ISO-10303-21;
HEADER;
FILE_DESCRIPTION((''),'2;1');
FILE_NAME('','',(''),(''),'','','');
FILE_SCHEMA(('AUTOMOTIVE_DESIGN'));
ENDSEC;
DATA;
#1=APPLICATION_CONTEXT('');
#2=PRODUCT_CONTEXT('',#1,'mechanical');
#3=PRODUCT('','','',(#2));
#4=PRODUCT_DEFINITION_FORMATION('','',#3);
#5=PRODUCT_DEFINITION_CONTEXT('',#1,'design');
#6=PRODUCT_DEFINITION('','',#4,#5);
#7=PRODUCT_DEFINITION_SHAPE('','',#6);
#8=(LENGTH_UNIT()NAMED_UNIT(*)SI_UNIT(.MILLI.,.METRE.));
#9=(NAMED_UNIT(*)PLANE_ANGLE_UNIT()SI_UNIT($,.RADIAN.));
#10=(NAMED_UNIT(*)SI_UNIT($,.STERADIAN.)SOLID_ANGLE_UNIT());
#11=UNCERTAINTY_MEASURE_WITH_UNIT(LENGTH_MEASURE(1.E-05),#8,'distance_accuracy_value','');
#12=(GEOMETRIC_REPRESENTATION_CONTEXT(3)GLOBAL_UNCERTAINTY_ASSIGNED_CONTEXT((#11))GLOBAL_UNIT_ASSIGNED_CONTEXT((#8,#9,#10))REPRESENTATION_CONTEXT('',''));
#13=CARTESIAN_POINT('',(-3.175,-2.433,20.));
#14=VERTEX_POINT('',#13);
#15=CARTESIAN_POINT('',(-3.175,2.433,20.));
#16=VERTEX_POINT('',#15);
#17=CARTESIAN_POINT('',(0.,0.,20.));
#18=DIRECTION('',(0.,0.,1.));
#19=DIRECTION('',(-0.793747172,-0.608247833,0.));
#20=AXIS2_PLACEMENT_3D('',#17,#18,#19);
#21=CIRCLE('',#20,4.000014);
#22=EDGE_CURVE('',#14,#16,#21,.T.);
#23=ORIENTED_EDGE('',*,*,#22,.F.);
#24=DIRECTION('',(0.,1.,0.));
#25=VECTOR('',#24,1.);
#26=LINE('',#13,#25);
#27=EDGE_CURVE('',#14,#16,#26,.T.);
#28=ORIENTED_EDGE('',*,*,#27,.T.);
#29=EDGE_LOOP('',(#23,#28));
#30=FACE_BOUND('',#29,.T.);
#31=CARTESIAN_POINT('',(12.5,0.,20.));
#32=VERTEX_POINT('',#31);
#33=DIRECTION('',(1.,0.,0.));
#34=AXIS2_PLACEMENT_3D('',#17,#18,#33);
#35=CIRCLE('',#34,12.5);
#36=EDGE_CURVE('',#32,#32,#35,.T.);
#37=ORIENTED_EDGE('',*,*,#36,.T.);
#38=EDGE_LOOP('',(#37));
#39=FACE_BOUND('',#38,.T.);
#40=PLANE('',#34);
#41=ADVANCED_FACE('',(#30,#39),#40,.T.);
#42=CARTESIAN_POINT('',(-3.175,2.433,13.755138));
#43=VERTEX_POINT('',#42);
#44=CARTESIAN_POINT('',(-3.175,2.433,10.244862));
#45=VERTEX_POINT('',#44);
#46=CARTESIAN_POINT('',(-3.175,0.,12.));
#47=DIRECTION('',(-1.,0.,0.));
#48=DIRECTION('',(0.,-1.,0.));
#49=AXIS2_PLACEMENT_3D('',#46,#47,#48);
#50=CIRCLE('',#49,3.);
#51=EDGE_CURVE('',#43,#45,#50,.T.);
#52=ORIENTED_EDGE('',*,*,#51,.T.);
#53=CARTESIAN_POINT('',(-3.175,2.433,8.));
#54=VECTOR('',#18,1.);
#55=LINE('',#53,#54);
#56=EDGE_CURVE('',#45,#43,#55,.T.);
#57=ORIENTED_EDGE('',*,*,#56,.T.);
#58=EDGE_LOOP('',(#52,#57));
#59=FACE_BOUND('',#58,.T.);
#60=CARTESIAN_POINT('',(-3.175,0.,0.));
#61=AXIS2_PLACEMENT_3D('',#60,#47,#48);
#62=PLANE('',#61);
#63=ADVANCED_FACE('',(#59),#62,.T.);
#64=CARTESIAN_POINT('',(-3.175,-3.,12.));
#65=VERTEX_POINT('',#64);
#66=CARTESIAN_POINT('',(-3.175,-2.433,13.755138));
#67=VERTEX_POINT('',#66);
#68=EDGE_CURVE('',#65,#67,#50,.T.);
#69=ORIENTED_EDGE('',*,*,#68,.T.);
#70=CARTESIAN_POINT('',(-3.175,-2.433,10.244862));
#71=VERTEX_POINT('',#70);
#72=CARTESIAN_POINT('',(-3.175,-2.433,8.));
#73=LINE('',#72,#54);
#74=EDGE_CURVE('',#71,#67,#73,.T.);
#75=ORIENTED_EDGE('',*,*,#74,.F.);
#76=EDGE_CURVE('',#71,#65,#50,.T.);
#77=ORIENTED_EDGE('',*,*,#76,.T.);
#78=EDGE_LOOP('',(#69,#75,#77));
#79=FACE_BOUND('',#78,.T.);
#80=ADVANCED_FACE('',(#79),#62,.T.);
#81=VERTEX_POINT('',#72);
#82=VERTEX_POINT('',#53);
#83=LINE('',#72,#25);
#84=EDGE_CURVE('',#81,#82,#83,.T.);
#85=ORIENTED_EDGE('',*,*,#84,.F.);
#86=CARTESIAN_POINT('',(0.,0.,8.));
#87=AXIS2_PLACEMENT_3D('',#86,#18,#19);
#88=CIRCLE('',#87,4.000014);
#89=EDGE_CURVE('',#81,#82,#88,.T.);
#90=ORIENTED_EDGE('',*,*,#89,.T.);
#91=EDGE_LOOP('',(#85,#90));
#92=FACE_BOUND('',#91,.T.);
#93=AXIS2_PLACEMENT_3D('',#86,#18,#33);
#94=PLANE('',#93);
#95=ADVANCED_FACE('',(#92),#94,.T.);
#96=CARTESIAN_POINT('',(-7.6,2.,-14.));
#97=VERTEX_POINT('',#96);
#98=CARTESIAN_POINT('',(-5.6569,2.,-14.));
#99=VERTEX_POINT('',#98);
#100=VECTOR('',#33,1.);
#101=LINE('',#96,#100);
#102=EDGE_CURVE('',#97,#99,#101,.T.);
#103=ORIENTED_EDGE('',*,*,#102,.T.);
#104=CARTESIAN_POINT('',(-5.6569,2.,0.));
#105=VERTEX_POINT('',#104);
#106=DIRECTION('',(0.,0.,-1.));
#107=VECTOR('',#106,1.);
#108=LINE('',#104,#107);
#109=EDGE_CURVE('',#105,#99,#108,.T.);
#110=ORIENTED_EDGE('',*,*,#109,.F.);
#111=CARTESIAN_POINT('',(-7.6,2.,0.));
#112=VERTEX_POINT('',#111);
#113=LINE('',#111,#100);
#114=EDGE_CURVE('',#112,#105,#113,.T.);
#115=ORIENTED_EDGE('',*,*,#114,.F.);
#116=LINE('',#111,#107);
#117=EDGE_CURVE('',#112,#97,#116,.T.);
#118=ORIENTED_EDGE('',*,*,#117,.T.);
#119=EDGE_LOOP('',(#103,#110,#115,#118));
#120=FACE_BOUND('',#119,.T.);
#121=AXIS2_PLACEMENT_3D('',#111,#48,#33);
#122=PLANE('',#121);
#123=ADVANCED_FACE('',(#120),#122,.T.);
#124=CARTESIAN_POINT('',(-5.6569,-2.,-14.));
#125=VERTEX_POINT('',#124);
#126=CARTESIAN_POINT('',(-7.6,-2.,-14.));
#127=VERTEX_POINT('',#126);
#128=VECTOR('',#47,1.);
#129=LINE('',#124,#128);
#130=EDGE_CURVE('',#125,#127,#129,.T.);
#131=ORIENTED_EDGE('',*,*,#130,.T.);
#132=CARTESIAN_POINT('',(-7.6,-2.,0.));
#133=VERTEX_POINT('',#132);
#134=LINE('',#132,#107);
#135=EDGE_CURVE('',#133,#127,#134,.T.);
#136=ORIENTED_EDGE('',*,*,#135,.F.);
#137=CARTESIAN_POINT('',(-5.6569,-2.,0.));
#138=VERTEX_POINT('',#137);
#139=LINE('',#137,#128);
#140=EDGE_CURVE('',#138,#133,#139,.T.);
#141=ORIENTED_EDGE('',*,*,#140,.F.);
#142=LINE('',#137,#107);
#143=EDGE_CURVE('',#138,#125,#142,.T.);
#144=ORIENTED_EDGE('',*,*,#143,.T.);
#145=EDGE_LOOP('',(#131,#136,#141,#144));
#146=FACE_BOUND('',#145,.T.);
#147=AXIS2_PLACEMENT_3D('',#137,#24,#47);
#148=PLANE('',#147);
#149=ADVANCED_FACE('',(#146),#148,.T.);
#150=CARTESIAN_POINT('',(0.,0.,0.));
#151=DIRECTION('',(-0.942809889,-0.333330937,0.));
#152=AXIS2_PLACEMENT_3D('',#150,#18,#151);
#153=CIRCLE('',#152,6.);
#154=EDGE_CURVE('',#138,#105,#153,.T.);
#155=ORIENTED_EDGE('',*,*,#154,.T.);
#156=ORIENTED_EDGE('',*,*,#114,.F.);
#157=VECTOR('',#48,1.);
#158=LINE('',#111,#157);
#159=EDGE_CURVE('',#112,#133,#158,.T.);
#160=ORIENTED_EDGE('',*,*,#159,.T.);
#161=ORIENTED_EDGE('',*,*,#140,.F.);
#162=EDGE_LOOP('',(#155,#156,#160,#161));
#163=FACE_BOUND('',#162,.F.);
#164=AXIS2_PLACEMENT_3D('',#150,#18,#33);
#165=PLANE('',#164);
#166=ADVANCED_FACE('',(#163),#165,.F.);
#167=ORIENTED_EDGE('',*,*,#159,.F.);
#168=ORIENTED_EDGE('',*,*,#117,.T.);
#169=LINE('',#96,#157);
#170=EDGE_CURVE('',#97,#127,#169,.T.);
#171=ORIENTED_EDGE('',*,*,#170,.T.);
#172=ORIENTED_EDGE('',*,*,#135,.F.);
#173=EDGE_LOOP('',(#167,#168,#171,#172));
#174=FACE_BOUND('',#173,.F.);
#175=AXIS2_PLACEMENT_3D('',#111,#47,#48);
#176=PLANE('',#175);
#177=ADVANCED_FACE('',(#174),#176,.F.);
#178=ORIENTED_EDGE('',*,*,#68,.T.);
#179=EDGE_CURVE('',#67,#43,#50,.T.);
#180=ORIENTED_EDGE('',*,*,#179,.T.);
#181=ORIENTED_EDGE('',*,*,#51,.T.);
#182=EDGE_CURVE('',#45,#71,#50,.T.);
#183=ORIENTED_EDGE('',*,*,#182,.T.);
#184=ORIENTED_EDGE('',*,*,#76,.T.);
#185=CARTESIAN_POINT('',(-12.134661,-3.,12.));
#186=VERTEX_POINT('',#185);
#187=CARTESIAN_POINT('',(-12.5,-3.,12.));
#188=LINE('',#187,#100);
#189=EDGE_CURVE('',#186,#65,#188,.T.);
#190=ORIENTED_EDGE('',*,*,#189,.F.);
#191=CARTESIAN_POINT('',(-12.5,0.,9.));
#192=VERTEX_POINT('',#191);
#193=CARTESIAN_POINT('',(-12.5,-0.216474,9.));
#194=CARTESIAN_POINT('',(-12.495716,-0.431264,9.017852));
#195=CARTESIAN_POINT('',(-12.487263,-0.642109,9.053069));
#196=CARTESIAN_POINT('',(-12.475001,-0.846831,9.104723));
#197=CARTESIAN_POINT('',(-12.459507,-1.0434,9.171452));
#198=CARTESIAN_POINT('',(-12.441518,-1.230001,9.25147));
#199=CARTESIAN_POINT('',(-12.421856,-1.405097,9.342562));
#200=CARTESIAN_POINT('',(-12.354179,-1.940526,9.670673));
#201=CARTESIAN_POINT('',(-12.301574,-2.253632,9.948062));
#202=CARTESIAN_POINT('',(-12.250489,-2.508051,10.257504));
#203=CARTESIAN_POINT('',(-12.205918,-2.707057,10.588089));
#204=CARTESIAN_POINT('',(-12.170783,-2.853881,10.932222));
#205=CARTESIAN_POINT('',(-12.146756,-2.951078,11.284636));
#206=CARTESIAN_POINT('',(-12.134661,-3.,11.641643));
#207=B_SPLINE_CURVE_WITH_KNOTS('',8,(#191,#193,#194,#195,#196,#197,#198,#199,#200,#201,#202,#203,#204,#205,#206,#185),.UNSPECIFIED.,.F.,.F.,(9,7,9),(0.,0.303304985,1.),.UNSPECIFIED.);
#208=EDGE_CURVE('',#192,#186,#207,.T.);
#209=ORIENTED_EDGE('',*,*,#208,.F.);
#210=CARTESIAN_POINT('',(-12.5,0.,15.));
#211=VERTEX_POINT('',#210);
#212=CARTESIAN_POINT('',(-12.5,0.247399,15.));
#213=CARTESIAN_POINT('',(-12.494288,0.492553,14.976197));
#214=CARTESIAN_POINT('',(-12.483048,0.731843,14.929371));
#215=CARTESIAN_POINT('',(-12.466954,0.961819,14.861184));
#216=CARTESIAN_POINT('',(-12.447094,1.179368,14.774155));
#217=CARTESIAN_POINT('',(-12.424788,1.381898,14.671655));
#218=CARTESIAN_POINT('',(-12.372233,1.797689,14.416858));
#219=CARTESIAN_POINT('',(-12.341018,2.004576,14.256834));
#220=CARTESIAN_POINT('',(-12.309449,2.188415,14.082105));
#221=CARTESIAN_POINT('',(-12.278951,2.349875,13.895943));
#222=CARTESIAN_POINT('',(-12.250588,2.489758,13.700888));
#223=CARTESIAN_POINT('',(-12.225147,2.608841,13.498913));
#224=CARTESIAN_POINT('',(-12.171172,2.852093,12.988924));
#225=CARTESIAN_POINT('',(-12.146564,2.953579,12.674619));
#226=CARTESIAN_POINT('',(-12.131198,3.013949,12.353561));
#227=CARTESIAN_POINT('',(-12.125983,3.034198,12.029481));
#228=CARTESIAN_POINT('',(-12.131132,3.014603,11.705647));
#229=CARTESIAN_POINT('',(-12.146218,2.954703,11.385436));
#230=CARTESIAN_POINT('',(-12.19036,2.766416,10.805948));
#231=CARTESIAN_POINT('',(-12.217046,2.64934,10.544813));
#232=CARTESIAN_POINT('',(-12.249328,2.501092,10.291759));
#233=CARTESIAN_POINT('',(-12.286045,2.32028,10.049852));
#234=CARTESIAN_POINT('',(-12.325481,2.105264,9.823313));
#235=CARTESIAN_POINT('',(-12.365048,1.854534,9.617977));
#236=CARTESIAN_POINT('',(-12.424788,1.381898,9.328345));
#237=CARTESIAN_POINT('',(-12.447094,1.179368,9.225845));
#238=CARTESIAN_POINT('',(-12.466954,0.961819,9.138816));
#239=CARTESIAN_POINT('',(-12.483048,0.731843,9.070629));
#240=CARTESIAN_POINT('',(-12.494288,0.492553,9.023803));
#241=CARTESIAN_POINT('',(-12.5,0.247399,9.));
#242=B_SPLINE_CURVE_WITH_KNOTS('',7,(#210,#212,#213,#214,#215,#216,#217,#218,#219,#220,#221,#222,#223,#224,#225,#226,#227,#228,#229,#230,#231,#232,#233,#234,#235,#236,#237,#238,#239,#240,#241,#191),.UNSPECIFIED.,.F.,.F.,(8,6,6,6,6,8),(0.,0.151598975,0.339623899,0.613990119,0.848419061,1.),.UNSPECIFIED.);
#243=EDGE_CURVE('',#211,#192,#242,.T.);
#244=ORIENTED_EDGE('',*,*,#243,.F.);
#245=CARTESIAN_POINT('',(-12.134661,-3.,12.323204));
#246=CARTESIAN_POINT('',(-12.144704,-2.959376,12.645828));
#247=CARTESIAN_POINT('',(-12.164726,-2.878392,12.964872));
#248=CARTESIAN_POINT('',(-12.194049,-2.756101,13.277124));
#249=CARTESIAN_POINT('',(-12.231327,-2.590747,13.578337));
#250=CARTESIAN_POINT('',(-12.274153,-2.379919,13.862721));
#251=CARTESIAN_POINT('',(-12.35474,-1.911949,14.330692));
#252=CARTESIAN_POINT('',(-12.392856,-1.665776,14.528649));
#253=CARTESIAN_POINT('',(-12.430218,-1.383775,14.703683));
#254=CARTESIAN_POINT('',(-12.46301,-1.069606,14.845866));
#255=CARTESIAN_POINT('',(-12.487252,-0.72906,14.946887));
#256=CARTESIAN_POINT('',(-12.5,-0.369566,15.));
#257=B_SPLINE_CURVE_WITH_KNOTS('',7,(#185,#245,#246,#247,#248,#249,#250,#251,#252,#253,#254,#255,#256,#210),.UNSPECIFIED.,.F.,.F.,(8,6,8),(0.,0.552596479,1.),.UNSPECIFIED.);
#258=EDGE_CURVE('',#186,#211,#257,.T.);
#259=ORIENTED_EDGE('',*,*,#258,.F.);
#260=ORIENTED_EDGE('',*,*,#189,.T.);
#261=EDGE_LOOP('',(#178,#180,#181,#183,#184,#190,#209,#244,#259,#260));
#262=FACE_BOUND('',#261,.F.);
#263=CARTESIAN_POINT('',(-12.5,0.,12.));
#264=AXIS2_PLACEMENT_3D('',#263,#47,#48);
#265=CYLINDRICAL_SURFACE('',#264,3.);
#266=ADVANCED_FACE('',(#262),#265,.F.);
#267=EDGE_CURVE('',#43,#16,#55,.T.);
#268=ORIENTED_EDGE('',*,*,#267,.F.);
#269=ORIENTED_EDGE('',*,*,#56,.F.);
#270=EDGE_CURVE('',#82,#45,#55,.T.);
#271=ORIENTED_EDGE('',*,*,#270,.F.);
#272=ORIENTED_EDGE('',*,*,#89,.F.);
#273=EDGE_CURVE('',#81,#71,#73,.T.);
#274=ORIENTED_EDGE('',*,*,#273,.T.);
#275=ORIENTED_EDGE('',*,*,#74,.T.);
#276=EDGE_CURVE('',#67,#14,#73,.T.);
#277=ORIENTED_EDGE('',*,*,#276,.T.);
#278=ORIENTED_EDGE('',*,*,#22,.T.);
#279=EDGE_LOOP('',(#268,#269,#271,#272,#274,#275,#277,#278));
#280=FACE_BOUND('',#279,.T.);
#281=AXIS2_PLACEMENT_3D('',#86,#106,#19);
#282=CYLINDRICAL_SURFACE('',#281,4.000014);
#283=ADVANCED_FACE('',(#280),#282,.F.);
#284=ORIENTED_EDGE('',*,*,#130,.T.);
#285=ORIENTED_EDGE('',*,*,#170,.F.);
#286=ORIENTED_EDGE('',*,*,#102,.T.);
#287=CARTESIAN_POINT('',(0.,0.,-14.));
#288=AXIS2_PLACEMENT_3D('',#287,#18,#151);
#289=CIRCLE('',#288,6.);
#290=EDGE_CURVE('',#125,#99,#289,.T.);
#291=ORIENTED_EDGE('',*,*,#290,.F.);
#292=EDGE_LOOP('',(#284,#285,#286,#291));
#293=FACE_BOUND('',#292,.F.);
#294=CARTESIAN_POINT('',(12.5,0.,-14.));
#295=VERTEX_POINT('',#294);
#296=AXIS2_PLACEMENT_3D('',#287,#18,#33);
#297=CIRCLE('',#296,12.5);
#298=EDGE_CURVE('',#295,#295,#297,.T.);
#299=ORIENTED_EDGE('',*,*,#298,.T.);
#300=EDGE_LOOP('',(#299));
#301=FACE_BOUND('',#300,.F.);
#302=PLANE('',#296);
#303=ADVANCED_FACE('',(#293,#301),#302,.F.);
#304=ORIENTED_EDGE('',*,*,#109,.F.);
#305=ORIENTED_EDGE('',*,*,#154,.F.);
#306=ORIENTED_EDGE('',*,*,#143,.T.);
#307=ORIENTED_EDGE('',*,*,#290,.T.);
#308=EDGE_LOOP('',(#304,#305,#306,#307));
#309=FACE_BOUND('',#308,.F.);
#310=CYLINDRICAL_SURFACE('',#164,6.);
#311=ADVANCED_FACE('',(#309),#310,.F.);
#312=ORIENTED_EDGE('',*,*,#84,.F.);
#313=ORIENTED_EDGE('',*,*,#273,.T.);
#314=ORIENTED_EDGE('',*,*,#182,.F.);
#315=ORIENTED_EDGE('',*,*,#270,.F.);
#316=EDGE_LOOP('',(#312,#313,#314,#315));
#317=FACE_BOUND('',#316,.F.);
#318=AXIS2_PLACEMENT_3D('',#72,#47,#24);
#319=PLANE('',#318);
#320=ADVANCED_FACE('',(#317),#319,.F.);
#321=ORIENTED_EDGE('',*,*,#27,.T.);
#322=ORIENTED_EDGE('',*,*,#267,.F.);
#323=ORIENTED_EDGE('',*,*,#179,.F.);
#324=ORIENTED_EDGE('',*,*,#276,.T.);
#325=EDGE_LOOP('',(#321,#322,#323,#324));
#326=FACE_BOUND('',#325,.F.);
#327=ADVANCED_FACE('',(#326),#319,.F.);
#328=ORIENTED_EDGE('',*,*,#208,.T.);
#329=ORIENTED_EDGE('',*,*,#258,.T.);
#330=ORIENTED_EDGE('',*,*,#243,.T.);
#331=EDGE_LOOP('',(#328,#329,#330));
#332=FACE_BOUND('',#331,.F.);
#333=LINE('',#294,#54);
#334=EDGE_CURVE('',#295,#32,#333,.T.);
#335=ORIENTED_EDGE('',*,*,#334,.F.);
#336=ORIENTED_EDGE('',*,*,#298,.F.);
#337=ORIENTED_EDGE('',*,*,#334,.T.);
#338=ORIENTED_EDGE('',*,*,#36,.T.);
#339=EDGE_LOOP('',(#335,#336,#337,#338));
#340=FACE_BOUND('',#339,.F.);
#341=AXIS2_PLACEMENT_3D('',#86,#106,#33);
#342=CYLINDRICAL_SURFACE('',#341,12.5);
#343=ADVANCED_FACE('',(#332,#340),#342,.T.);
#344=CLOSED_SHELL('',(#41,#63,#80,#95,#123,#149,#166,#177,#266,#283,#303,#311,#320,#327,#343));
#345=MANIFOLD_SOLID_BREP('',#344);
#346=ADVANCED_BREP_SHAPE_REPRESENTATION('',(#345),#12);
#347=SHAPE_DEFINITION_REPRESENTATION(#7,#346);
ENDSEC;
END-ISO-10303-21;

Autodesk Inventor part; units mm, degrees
ref_plane "YZ Plane" through (0, 0, 0) normal (1, 0, 0) x (0, 1, 0)
ref_plane "XZ Plane" through (0, 0, 0) normal (0, 1, 0) x (-1, 0, 0)
sketch "Sketch1" plane through (0, 0, 0) normal (0, 0, 1) x (1, 0, 0)
  circle A0 centre (0, 0) radius 6 projected
  line L0 (-7.6, 2) -> (-5.6569, 2) projected
  line L1 (-7.6, 2) -> (-7.6, -2) projected
  line L2 (-5.6569, -2) -> (-7.6, -2) projected
  circle A1 centre (0, 0) radius 12.5
  point P0 (0, 0)
  dimension "d0" = 25
extrude "Extrusion1" add sketch "Sketch1" against normal blind 14
sketch "Sketch2" plane through (0, 0, 0) normal (0, 0, 1) x (1, 0, 0)
  arc A0 (19.4059, 4.8385) -> (16.8372, 10.794) centre (0, 0) ccw projected
  circle A1 centre (0, 0) radius 12.5 projected
  point P0 (0, 0)
extrude "Extrusion2" add sketch "Sketch2" along normal blind 8
sketch "Sketch3" plane through (0, 0, 8) normal (0, 0, 1) x (1, 0, 0)
  circle A0 centre (0, 0) radius 12.5 projected
  line L0 (-3.175, -2.433) -> (-3.175, 2.433) projected
  arc A1 (-3.175, -2.433) -> (-3.175, 2.433) centre (0, 0) ccw projected
  point P0 (0, 0)
extrude "Extrusion3" add sketch "Sketch3" along normal blind 12
ref_plane "Work Plane2" through (-12.5, 0, 0) normal (-1, 0, 0) x (0, -1, 0)
ref_plane "Work Plane1" through (-3.175, -2.433, 10) normal (-1, 0, 0) x (0, 1, 0)
sketch "Sketch4" plane through (-12.5, 0, 0) normal (-1, 0, 0) x (0, -1, 0)
  circle A0 centre (0, 12) radius 3
  line L0 (12.5, 20) -> (-12.5, 20) projected
  point P0 (0, 0)
  dimension "d7" = 8
  dimension "d8" = 6
ref_plane "Work Plane3" through (-3.175, -2.433, 10) normal (-1, 0, 0) x (0, 0, 1)
extrude "Extrusion4" cut sketch "Sketch4" against normal up to surface (9.325 mm away)
thread "Thread1" size "M6x1" class "6H" standard "ANSI Metric M Profile" length 20
properties part number "nmrv-50 to megatroque motor coupler"
